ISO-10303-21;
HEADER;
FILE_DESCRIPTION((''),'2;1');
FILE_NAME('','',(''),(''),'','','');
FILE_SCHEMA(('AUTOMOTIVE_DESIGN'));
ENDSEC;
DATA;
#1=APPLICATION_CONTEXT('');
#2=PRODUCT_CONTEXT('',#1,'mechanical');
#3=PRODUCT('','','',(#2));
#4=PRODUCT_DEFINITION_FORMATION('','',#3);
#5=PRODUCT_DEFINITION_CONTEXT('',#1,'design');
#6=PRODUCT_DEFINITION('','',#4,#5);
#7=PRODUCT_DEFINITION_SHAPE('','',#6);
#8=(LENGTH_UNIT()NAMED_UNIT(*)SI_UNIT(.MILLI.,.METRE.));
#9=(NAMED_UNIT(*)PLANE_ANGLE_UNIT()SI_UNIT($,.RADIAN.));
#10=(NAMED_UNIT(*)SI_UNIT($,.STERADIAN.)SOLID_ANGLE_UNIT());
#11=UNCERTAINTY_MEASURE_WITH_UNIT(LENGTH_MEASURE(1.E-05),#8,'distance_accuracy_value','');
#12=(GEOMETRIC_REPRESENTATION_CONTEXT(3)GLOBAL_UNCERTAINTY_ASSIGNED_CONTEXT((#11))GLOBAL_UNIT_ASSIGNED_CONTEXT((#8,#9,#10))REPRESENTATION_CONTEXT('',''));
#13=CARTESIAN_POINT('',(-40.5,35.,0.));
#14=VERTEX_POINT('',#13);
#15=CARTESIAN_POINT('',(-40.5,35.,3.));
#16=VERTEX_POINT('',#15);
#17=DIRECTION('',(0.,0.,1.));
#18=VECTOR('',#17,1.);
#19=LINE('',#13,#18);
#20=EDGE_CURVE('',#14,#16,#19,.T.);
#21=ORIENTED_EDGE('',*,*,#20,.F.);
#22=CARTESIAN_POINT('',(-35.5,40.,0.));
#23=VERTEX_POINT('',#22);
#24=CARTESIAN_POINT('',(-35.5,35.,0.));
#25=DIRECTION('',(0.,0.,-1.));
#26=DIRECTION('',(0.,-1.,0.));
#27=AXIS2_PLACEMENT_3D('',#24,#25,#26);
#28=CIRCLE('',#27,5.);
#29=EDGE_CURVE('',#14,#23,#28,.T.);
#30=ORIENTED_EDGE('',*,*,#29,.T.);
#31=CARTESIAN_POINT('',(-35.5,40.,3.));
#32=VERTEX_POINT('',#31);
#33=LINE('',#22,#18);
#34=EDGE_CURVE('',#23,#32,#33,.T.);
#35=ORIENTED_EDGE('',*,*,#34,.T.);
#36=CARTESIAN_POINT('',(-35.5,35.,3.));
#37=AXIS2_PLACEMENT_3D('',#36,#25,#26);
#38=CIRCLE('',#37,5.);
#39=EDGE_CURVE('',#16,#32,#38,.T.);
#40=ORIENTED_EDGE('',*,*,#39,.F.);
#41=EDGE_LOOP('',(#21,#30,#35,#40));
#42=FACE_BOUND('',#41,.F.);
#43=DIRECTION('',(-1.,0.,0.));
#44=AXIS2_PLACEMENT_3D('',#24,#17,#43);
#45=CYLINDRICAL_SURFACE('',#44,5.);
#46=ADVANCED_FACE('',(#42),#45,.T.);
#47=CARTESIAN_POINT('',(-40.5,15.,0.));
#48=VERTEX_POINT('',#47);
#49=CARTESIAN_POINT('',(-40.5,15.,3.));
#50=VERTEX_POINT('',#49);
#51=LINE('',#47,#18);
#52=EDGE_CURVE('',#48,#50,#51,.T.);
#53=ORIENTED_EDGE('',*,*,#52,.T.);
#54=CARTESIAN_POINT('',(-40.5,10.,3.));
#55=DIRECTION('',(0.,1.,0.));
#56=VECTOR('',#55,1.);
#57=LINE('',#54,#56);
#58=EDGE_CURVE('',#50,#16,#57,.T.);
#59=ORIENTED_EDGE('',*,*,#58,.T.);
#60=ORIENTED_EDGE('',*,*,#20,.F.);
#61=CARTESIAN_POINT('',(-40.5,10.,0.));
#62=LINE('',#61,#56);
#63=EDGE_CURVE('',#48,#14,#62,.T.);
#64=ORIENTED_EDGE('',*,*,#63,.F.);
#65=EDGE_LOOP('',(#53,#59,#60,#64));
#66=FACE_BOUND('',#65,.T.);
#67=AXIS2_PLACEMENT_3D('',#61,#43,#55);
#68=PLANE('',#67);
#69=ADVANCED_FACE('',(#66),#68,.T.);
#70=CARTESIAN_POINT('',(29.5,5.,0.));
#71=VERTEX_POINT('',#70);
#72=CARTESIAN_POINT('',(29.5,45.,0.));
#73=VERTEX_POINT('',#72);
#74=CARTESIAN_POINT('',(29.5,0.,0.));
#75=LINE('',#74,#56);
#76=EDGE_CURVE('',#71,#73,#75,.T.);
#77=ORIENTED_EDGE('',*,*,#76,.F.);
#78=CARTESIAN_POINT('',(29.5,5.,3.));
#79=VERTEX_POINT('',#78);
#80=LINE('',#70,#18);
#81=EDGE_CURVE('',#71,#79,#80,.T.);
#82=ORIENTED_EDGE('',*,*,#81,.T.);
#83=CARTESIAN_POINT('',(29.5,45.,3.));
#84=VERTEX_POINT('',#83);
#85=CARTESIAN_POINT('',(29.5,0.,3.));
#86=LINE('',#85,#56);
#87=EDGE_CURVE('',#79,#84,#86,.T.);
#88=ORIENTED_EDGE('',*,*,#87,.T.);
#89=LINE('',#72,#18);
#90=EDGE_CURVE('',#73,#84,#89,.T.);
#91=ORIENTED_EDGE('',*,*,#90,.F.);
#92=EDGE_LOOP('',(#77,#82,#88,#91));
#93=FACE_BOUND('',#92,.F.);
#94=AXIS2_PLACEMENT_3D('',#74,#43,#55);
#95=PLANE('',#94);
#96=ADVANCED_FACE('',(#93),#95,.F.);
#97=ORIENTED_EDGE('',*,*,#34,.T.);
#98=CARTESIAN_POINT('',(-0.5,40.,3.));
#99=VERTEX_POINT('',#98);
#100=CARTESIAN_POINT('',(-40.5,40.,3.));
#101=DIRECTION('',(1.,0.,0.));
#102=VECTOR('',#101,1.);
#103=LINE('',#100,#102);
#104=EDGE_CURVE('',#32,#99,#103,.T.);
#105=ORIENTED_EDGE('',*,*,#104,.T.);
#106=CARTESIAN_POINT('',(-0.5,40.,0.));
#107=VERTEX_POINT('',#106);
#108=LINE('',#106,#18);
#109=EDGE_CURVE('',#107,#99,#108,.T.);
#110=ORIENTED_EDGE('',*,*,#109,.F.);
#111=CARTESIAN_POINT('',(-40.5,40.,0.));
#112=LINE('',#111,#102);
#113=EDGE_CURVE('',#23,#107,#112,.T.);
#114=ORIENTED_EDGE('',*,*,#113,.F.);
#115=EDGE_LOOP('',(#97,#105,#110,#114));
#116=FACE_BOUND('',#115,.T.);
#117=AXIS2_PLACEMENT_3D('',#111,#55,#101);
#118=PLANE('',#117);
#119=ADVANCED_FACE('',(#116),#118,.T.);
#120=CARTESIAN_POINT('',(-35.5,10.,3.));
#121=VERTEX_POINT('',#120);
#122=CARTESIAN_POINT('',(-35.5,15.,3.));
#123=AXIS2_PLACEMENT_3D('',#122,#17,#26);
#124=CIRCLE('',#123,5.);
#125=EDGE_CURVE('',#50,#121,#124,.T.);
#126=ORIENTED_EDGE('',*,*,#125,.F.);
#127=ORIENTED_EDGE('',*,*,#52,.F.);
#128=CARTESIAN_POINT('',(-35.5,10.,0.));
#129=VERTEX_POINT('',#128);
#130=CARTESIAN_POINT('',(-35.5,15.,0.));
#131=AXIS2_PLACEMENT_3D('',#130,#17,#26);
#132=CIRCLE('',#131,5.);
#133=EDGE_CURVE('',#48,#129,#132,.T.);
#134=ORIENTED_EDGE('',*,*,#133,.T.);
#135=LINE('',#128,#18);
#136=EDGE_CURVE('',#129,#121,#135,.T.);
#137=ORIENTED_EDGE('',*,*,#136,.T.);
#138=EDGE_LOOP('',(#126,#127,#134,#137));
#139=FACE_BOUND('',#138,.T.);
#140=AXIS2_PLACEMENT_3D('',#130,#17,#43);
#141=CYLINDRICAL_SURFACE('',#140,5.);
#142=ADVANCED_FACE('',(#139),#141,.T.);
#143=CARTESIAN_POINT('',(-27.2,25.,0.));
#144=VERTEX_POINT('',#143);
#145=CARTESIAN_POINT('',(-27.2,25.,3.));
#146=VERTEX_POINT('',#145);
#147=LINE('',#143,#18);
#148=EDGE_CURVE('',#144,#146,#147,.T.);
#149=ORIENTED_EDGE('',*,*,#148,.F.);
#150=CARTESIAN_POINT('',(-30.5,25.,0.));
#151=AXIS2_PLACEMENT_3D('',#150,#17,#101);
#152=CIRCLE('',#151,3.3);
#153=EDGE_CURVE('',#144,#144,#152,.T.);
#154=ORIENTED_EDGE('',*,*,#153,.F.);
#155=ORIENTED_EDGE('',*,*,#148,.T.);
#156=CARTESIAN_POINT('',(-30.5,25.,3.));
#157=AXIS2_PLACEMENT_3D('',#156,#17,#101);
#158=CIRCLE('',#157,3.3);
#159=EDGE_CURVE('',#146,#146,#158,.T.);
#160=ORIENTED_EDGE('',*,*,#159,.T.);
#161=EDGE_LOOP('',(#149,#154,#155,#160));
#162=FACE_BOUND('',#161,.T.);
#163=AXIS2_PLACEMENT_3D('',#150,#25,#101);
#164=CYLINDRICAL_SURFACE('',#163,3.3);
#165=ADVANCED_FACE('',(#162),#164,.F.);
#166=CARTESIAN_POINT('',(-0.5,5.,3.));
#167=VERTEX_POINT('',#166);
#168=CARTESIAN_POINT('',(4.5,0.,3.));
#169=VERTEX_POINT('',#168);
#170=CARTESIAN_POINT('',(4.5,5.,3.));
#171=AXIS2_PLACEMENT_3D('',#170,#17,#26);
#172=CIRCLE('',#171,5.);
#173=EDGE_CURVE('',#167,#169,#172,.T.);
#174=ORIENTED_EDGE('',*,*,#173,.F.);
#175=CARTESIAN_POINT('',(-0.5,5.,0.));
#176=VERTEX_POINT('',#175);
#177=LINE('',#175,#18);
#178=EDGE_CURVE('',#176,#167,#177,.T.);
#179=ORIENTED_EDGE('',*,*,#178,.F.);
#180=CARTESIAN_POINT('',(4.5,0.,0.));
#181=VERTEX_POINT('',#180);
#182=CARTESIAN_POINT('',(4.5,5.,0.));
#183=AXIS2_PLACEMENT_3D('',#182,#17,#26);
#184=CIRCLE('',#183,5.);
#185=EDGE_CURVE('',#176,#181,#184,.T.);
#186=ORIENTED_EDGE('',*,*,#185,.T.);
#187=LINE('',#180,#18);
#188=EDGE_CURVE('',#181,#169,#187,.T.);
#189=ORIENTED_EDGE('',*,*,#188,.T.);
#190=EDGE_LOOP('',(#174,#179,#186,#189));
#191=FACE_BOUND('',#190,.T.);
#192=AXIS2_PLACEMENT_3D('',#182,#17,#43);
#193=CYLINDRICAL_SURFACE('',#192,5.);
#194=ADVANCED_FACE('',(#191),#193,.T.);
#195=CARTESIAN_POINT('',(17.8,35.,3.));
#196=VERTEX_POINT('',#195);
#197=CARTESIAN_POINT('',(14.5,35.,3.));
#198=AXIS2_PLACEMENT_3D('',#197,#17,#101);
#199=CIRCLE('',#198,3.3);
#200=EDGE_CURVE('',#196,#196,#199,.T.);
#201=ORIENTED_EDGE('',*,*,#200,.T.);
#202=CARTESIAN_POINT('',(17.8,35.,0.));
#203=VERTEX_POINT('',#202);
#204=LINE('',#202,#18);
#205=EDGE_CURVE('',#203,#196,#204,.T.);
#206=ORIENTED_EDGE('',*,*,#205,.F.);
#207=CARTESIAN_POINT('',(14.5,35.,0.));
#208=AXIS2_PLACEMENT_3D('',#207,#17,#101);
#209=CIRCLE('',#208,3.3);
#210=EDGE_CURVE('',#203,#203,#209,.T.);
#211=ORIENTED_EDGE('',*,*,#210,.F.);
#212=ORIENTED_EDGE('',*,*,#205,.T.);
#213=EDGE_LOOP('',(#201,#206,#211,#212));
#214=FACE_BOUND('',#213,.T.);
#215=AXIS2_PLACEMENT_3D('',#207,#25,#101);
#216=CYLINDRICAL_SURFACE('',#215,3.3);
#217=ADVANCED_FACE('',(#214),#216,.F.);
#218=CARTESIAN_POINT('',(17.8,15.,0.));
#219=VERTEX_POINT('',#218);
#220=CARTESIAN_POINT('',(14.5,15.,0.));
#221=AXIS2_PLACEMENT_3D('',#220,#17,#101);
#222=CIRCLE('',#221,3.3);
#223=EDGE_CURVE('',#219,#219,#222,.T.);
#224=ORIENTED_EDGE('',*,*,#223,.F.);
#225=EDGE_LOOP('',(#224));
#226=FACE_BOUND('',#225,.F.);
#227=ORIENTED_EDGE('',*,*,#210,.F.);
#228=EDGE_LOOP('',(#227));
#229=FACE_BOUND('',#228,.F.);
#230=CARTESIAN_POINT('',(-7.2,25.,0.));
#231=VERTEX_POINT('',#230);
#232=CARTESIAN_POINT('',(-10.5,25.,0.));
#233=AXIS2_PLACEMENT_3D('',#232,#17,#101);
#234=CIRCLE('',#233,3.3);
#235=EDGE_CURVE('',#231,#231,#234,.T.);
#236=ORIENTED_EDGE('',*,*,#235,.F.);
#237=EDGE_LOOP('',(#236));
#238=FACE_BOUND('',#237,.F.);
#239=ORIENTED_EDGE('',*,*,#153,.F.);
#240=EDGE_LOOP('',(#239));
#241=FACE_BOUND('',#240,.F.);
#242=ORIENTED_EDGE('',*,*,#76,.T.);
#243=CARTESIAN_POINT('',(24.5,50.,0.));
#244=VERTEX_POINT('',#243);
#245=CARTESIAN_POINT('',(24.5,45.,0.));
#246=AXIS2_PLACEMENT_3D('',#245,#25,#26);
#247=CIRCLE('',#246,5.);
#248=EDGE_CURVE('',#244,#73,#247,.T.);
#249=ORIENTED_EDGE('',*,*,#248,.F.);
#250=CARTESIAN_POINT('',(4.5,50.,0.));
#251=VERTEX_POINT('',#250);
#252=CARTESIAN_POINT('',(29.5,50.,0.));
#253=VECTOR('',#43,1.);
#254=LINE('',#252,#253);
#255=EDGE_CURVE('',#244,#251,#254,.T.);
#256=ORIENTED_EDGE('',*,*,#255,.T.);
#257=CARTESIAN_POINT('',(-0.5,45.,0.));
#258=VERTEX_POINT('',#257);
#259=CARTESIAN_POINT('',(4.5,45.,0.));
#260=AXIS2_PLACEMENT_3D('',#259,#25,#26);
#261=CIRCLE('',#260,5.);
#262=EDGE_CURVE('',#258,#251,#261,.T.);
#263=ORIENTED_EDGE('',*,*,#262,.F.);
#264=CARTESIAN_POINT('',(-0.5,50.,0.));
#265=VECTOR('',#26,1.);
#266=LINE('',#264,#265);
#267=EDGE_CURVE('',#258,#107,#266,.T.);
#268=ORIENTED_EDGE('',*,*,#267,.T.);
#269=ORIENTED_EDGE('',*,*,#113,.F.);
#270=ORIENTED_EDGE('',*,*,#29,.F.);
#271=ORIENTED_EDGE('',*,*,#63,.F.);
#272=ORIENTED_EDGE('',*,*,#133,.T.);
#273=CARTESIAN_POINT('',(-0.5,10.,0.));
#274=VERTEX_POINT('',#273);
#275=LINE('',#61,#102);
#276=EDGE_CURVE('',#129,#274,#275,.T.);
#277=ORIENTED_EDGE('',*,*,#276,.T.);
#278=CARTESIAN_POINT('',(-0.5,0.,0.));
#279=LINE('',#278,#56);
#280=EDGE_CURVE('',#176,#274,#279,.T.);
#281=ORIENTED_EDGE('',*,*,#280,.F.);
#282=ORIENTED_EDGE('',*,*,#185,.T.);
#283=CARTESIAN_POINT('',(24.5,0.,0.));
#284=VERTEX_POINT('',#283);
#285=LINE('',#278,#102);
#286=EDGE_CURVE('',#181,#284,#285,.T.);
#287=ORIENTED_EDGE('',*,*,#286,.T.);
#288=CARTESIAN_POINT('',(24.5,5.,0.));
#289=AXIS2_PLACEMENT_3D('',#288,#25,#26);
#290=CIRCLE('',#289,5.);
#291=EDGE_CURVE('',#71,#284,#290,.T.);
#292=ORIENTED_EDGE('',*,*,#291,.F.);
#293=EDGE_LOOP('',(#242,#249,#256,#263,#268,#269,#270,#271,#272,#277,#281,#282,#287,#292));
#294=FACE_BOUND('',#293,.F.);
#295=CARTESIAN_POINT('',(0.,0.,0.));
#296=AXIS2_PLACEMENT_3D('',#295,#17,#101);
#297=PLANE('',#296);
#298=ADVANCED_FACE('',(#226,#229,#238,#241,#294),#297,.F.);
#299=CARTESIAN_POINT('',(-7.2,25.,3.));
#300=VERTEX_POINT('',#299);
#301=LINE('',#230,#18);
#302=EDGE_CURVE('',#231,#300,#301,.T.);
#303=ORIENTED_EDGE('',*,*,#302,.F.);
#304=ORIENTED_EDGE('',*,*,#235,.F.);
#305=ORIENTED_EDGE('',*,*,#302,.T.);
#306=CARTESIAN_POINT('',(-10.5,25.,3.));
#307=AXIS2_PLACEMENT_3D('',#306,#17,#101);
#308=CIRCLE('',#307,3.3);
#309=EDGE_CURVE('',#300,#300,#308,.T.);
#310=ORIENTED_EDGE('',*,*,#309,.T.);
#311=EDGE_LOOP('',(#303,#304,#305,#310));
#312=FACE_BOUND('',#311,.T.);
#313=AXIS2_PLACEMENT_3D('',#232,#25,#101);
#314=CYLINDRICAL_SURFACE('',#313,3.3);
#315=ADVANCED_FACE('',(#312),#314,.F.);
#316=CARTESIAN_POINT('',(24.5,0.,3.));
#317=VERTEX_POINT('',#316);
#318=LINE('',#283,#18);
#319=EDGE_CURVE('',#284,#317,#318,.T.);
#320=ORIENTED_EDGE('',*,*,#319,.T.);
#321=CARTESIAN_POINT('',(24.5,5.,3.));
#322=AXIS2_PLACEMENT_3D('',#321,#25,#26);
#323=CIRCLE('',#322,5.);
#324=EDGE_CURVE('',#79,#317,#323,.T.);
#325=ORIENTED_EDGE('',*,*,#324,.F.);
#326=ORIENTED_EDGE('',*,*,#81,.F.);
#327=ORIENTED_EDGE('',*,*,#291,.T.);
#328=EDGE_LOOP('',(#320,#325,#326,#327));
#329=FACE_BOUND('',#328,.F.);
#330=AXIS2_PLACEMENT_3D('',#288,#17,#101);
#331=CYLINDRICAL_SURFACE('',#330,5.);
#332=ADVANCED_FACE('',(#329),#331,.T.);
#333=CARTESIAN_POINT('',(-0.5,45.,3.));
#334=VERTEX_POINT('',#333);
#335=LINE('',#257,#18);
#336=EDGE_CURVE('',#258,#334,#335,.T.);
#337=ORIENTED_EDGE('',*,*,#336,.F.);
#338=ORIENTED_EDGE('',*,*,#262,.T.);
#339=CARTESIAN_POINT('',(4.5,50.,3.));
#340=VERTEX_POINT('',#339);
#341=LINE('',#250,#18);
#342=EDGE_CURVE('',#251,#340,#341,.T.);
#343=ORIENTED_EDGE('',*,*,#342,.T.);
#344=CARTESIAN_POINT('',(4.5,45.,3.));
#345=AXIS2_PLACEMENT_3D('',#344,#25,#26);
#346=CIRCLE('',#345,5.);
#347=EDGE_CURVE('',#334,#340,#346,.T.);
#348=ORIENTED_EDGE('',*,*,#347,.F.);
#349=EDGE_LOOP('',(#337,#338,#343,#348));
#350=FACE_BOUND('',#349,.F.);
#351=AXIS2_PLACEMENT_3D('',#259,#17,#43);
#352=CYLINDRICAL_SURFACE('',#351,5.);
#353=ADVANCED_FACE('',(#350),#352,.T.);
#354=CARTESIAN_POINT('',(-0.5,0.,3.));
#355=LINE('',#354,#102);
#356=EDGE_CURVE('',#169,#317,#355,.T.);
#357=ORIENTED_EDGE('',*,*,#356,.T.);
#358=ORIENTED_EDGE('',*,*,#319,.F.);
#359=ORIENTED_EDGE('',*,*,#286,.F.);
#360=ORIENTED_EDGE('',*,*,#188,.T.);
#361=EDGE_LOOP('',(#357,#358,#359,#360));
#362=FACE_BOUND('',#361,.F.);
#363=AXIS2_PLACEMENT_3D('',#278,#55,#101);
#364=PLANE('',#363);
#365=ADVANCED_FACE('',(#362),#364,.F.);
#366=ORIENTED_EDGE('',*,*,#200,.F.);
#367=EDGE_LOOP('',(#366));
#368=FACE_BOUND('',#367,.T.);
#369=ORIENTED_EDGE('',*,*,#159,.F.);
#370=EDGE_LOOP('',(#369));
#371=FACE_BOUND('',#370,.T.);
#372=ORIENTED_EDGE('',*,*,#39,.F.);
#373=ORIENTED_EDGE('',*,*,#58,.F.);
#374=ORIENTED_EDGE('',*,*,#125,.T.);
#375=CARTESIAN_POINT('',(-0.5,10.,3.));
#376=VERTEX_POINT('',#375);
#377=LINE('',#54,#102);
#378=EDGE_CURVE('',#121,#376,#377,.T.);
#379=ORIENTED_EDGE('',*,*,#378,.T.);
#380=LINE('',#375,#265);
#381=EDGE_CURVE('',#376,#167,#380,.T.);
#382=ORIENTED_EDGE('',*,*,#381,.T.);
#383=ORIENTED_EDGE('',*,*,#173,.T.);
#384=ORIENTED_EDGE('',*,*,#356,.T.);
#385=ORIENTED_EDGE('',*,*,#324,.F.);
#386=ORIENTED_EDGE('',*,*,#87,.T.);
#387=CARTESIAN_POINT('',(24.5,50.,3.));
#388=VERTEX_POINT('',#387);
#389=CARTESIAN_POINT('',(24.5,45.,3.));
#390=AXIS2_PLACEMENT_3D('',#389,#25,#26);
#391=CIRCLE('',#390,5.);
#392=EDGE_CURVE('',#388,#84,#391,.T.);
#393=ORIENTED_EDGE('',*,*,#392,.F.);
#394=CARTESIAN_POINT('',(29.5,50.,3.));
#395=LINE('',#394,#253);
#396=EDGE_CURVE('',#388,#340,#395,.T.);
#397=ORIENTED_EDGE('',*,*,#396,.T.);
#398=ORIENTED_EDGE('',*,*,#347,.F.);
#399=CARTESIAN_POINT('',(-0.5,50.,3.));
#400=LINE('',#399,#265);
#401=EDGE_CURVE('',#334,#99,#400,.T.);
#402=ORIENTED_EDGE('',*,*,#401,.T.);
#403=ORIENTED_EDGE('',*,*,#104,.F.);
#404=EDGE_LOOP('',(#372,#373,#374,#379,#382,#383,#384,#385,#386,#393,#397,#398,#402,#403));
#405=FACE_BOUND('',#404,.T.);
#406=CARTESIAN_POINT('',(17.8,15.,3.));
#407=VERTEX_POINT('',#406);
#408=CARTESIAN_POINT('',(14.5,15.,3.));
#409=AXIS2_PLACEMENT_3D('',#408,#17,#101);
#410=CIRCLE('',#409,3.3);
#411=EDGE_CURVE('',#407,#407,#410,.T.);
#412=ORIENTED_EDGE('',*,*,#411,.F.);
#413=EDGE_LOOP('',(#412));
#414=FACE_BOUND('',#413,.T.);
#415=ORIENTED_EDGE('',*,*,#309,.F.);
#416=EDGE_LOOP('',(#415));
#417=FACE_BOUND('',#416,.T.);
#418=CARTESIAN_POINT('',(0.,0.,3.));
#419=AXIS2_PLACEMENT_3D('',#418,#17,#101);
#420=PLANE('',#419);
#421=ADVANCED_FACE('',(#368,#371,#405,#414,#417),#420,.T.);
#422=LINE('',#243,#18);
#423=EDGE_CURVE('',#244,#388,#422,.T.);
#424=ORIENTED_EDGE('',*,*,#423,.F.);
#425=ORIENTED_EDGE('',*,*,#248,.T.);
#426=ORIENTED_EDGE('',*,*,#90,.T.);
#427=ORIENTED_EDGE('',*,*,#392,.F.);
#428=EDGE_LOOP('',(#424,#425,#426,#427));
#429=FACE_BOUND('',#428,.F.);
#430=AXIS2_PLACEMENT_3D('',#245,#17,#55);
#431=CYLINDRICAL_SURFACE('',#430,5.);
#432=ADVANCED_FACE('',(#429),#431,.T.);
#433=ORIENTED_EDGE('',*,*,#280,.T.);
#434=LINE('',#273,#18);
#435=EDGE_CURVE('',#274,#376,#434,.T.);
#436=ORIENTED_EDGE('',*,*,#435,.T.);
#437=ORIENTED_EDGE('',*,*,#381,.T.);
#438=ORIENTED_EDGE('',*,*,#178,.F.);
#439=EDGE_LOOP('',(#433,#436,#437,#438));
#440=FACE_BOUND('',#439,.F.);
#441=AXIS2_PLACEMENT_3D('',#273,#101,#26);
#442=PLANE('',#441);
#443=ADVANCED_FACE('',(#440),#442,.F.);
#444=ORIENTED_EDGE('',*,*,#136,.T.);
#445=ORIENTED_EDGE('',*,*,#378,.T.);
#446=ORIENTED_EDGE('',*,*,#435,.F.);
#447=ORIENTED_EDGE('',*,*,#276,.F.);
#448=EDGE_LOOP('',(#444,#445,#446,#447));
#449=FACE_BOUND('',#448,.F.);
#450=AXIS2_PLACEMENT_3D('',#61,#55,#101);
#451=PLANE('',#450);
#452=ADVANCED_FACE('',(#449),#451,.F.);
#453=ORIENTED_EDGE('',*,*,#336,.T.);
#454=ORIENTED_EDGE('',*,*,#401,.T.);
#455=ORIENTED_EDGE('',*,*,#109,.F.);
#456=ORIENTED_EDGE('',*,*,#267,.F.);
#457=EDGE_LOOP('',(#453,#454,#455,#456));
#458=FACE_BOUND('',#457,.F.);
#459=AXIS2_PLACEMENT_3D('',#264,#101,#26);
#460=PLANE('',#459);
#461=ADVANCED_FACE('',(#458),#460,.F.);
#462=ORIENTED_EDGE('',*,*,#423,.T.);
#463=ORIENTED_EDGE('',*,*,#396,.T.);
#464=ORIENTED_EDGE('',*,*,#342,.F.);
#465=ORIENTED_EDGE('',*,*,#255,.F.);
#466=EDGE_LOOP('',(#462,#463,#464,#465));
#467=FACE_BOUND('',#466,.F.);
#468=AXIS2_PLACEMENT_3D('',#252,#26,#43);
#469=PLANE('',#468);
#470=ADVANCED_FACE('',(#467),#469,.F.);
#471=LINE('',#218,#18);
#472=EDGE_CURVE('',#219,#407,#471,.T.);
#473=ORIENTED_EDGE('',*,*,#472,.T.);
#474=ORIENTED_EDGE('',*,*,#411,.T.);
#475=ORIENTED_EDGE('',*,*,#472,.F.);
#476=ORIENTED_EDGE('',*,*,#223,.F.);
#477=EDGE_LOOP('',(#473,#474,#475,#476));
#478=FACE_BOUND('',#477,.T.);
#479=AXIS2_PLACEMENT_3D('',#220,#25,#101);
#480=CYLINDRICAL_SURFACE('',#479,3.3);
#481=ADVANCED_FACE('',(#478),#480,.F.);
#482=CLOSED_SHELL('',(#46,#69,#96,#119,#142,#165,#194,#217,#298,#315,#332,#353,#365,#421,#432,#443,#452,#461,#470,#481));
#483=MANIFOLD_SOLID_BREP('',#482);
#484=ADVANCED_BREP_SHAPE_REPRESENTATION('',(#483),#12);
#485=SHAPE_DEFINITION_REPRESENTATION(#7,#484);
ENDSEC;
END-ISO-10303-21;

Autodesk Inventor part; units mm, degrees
ref_plane "YZ Plane" through (0, 0, 0) normal (1, 0, 0) x (0, 1, 0)
ref_plane "XZ Plane" through (0, 0, 0) normal (0, 1, 0) x (-1, 0, 0)
ref_plane "作業平面1" through (0, 0, 0) normal (0, 0, 1) x (1, 0, 0)
sketch "スケッチ2" plane through (0, 0, 0) normal (0, 0, 1) x (1, 0, 0)
  line L0 (0, 0) -> (7.35, 0) construction
  line L1 (7.35, 0) -> (7.35, 50) construction
  line L2 (0, 50) -> (7.35, 50) construction
  line L3 (0, 0) -> (0, 50) construction
  line L4 (-0.5, 0) -> (-0.5, 50) construction
  line L5 (19.5, 0) -> (19.5, 50) construction
  line L6 (139.5, 0) -> (139.5, -3) construction
  line L7 (139.5, 0) -> (4.5, 0) construction
  line L8 (4.5, -3) -> (4.5, 0) construction
  line L9 (139.5, -3) -> (4.5, -3) construction
  line L10 (139.5, 53) -> (139.5, 50) construction
  line L11 (4.5, 53) -> (139.5, 53) construction
  line L12 (4.5, 50) -> (4.5, 53) construction
  line L13 (4.5, 50) -> (139.5, 50) construction
  line L14 (-0.632, 5) -> (-130.632, 5) construction
  line L15 (-0.632, 45) -> (-130.632, 45) construction
  line L16 (-40.5, 10) -> (-40.5, 40)
  line L17 (-40.5, 40) -> (-0.5, 40)
  line L18 (-0.5, 40) -> (-0.5, 5)
  circle A0 centre (14.5, 15) radius 3.3
  circle A1 centre (14.5, 35) radius 3.3
  circle A2 centre (-30.5, 25) radius 3.3
  circle A3 centre (-10.5, 25) radius 3.3
  line L19 (-40.5, 10) -> (-0.5, 10)
  line L20 (-0.5, 0) -> (29.5, 0)
  line L21 (29.5, 0) -> (29.5, 50)
  line L22 (29.5, 50) -> (-0.5, 50)
  line L23 (-0.5, 50) -> (-0.5, 0)
  point P0 (9.5, 35)
  point P1 (-0.5, 40)
  point P2 (-0.5, 5)
  dimension "d1" = 40
  dimension "d2" = 30
  dimension "d4" = 50
  dimension "d5" = 15
  dimension "d13" = 6.6
  dimension "d17" = 6.6
  dimension "d19" = 10
  dimension "d20" = 6.6
  dimension "d22" = 10
  dimension "d23" = 6.6
  dimension "d25" = 15
  dimension "d27" = 10
  dimension "d29" = 15
  dimension "d30" = 15
  dimension "d31" = 30
  dimension "d32" = 50
  dimension "d33" = 15
  dimension "d34" = 15
extrude "押し出し1" add sketch "スケッチ2" along normal blind 3
fillet "フィレット1" radius 5 6 edges at (-40.5, 10, 1.5) (-40.5, 40, 1.5) (-0.5, 0, 1.5) (29.5, 0, 1.5) (-0.5, 50, 1.5) (29.5, 50, 1.5)
equation "\"d22\" = d19"
equation "\"d23\" = d13"
equation "\"d27\" = -0.5 * d2 + 0.5 * d28"
equation "\"d29\" = 0.5 * d2"
equation "\"d30\" = d29"
equation "\"d33\" = 0.5 * d31"
equation "\"d34\" = d33"
equation "\"d28\" = 50"
properties part number "bogie_mount" material "アルミニウム 6061"
